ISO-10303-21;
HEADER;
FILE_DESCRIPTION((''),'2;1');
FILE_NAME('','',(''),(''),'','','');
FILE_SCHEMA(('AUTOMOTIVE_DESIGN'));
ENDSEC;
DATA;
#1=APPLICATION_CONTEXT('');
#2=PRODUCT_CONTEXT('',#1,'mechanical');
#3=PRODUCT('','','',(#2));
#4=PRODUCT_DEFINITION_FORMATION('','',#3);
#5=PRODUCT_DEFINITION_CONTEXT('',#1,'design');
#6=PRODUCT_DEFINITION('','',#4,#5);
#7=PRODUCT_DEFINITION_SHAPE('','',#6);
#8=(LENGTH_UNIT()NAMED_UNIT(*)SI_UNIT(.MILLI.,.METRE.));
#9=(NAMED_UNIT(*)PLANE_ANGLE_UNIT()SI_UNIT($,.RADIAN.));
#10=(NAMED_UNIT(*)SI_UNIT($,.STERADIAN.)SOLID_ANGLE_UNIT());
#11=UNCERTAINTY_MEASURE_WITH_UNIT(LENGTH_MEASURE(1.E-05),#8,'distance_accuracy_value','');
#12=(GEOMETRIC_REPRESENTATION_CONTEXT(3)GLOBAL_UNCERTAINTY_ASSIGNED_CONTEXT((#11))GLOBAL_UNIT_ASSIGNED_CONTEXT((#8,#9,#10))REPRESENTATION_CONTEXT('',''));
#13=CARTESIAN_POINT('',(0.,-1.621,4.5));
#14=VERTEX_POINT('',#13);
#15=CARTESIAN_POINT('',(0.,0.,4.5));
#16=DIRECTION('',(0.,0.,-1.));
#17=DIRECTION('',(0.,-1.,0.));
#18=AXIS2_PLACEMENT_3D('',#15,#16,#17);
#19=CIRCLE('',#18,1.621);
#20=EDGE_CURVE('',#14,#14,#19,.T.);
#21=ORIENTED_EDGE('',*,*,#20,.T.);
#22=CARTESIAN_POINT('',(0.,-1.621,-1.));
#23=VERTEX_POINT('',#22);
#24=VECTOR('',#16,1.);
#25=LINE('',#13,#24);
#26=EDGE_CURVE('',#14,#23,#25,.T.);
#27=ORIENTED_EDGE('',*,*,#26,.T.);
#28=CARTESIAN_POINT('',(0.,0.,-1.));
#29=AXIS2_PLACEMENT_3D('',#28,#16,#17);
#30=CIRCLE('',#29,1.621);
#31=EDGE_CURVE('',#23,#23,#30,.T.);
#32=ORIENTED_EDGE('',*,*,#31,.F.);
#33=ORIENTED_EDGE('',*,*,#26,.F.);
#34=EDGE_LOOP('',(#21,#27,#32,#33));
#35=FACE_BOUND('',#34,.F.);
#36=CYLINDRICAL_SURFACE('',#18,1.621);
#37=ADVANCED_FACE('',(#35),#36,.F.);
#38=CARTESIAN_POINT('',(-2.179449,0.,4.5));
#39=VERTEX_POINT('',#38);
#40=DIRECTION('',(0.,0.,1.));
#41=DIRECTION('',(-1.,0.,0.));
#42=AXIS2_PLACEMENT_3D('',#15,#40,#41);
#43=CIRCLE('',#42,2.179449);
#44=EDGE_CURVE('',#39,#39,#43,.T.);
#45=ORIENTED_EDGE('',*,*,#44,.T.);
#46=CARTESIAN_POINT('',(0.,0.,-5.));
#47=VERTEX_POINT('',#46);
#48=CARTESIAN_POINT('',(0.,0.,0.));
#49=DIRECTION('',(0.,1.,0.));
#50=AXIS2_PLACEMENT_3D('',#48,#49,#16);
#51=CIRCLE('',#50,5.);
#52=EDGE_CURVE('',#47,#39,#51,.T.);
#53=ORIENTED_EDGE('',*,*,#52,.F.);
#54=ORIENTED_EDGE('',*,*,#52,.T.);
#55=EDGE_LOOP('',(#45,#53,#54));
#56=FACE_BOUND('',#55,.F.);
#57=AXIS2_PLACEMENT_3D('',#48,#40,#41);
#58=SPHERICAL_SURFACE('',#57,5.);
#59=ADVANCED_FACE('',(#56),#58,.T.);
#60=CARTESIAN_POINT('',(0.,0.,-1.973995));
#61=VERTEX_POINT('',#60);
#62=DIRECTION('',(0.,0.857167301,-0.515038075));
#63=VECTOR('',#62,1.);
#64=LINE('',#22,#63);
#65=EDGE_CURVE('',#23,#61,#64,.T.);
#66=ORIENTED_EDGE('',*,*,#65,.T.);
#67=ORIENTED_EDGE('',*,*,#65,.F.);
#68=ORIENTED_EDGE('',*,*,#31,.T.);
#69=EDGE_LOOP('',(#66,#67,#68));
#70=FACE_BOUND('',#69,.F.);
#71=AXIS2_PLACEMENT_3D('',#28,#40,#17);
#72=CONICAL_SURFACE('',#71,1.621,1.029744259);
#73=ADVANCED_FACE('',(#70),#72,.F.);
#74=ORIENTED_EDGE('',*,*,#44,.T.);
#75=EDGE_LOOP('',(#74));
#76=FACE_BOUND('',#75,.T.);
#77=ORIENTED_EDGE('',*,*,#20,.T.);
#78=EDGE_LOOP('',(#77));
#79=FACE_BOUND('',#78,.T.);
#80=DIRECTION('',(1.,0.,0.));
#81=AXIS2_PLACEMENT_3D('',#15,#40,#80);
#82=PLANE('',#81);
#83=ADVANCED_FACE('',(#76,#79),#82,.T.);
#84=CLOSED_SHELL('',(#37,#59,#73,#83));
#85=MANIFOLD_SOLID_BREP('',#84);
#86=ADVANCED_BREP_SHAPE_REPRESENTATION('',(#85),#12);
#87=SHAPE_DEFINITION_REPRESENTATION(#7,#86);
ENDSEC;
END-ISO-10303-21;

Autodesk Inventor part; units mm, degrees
ref_plane "YZ Plane" through (0, 0, 0) normal (1, 0, 0) x (0, 1, 0)
ref_plane "XZ Plane" through (0, 0, 0) normal (0, 1, 0) x (-1, 0, 0)
sketch "Esquisse1" plane through (0, 0, 0) normal (0, 1, 0) x (-1, 0, 0)
  arc A0 (0, -5) -> (0, 5) centre (0, 0) ccw
  line L0 (0, 5) -> (0, -5)
  dimension "d1" = 5
revolve "Révolution1" add sketch "Esquisse1" angle 360 about axis through (0, 0, 5) along (0, 0, -1)
ref_plane "Plan de construction1" through (0, 0, 5) normal (0, 0, 1) x (1, 0, 0)
sketch "Esquisse2" plane through (0, 0, 5) normal (0, 0, 1) x (1, 0, 0)
  circle A0 centre (0, 0) radius 2.5
  dimension "d4" = 5
extrude "Extrusion1" cut sketch "Esquisse2" against normal blind 0.5
sketch "Esquisse3" plane through (0, 0, 4.5) normal (0, 0, 1) x (1, 0, 0)
  circle A0 centre (0, 0) radius 2.1794 projected
hole "Perçage1" at (0, 0, 4.5) direction (0, 0, -1) diameter 3.242 depth 5.5 tip angle 118 thread size "M4x0.7" class "6H" standard "ISO Metric profile"
properties part number "boule_serrage_main" material "Plastique ABS"
